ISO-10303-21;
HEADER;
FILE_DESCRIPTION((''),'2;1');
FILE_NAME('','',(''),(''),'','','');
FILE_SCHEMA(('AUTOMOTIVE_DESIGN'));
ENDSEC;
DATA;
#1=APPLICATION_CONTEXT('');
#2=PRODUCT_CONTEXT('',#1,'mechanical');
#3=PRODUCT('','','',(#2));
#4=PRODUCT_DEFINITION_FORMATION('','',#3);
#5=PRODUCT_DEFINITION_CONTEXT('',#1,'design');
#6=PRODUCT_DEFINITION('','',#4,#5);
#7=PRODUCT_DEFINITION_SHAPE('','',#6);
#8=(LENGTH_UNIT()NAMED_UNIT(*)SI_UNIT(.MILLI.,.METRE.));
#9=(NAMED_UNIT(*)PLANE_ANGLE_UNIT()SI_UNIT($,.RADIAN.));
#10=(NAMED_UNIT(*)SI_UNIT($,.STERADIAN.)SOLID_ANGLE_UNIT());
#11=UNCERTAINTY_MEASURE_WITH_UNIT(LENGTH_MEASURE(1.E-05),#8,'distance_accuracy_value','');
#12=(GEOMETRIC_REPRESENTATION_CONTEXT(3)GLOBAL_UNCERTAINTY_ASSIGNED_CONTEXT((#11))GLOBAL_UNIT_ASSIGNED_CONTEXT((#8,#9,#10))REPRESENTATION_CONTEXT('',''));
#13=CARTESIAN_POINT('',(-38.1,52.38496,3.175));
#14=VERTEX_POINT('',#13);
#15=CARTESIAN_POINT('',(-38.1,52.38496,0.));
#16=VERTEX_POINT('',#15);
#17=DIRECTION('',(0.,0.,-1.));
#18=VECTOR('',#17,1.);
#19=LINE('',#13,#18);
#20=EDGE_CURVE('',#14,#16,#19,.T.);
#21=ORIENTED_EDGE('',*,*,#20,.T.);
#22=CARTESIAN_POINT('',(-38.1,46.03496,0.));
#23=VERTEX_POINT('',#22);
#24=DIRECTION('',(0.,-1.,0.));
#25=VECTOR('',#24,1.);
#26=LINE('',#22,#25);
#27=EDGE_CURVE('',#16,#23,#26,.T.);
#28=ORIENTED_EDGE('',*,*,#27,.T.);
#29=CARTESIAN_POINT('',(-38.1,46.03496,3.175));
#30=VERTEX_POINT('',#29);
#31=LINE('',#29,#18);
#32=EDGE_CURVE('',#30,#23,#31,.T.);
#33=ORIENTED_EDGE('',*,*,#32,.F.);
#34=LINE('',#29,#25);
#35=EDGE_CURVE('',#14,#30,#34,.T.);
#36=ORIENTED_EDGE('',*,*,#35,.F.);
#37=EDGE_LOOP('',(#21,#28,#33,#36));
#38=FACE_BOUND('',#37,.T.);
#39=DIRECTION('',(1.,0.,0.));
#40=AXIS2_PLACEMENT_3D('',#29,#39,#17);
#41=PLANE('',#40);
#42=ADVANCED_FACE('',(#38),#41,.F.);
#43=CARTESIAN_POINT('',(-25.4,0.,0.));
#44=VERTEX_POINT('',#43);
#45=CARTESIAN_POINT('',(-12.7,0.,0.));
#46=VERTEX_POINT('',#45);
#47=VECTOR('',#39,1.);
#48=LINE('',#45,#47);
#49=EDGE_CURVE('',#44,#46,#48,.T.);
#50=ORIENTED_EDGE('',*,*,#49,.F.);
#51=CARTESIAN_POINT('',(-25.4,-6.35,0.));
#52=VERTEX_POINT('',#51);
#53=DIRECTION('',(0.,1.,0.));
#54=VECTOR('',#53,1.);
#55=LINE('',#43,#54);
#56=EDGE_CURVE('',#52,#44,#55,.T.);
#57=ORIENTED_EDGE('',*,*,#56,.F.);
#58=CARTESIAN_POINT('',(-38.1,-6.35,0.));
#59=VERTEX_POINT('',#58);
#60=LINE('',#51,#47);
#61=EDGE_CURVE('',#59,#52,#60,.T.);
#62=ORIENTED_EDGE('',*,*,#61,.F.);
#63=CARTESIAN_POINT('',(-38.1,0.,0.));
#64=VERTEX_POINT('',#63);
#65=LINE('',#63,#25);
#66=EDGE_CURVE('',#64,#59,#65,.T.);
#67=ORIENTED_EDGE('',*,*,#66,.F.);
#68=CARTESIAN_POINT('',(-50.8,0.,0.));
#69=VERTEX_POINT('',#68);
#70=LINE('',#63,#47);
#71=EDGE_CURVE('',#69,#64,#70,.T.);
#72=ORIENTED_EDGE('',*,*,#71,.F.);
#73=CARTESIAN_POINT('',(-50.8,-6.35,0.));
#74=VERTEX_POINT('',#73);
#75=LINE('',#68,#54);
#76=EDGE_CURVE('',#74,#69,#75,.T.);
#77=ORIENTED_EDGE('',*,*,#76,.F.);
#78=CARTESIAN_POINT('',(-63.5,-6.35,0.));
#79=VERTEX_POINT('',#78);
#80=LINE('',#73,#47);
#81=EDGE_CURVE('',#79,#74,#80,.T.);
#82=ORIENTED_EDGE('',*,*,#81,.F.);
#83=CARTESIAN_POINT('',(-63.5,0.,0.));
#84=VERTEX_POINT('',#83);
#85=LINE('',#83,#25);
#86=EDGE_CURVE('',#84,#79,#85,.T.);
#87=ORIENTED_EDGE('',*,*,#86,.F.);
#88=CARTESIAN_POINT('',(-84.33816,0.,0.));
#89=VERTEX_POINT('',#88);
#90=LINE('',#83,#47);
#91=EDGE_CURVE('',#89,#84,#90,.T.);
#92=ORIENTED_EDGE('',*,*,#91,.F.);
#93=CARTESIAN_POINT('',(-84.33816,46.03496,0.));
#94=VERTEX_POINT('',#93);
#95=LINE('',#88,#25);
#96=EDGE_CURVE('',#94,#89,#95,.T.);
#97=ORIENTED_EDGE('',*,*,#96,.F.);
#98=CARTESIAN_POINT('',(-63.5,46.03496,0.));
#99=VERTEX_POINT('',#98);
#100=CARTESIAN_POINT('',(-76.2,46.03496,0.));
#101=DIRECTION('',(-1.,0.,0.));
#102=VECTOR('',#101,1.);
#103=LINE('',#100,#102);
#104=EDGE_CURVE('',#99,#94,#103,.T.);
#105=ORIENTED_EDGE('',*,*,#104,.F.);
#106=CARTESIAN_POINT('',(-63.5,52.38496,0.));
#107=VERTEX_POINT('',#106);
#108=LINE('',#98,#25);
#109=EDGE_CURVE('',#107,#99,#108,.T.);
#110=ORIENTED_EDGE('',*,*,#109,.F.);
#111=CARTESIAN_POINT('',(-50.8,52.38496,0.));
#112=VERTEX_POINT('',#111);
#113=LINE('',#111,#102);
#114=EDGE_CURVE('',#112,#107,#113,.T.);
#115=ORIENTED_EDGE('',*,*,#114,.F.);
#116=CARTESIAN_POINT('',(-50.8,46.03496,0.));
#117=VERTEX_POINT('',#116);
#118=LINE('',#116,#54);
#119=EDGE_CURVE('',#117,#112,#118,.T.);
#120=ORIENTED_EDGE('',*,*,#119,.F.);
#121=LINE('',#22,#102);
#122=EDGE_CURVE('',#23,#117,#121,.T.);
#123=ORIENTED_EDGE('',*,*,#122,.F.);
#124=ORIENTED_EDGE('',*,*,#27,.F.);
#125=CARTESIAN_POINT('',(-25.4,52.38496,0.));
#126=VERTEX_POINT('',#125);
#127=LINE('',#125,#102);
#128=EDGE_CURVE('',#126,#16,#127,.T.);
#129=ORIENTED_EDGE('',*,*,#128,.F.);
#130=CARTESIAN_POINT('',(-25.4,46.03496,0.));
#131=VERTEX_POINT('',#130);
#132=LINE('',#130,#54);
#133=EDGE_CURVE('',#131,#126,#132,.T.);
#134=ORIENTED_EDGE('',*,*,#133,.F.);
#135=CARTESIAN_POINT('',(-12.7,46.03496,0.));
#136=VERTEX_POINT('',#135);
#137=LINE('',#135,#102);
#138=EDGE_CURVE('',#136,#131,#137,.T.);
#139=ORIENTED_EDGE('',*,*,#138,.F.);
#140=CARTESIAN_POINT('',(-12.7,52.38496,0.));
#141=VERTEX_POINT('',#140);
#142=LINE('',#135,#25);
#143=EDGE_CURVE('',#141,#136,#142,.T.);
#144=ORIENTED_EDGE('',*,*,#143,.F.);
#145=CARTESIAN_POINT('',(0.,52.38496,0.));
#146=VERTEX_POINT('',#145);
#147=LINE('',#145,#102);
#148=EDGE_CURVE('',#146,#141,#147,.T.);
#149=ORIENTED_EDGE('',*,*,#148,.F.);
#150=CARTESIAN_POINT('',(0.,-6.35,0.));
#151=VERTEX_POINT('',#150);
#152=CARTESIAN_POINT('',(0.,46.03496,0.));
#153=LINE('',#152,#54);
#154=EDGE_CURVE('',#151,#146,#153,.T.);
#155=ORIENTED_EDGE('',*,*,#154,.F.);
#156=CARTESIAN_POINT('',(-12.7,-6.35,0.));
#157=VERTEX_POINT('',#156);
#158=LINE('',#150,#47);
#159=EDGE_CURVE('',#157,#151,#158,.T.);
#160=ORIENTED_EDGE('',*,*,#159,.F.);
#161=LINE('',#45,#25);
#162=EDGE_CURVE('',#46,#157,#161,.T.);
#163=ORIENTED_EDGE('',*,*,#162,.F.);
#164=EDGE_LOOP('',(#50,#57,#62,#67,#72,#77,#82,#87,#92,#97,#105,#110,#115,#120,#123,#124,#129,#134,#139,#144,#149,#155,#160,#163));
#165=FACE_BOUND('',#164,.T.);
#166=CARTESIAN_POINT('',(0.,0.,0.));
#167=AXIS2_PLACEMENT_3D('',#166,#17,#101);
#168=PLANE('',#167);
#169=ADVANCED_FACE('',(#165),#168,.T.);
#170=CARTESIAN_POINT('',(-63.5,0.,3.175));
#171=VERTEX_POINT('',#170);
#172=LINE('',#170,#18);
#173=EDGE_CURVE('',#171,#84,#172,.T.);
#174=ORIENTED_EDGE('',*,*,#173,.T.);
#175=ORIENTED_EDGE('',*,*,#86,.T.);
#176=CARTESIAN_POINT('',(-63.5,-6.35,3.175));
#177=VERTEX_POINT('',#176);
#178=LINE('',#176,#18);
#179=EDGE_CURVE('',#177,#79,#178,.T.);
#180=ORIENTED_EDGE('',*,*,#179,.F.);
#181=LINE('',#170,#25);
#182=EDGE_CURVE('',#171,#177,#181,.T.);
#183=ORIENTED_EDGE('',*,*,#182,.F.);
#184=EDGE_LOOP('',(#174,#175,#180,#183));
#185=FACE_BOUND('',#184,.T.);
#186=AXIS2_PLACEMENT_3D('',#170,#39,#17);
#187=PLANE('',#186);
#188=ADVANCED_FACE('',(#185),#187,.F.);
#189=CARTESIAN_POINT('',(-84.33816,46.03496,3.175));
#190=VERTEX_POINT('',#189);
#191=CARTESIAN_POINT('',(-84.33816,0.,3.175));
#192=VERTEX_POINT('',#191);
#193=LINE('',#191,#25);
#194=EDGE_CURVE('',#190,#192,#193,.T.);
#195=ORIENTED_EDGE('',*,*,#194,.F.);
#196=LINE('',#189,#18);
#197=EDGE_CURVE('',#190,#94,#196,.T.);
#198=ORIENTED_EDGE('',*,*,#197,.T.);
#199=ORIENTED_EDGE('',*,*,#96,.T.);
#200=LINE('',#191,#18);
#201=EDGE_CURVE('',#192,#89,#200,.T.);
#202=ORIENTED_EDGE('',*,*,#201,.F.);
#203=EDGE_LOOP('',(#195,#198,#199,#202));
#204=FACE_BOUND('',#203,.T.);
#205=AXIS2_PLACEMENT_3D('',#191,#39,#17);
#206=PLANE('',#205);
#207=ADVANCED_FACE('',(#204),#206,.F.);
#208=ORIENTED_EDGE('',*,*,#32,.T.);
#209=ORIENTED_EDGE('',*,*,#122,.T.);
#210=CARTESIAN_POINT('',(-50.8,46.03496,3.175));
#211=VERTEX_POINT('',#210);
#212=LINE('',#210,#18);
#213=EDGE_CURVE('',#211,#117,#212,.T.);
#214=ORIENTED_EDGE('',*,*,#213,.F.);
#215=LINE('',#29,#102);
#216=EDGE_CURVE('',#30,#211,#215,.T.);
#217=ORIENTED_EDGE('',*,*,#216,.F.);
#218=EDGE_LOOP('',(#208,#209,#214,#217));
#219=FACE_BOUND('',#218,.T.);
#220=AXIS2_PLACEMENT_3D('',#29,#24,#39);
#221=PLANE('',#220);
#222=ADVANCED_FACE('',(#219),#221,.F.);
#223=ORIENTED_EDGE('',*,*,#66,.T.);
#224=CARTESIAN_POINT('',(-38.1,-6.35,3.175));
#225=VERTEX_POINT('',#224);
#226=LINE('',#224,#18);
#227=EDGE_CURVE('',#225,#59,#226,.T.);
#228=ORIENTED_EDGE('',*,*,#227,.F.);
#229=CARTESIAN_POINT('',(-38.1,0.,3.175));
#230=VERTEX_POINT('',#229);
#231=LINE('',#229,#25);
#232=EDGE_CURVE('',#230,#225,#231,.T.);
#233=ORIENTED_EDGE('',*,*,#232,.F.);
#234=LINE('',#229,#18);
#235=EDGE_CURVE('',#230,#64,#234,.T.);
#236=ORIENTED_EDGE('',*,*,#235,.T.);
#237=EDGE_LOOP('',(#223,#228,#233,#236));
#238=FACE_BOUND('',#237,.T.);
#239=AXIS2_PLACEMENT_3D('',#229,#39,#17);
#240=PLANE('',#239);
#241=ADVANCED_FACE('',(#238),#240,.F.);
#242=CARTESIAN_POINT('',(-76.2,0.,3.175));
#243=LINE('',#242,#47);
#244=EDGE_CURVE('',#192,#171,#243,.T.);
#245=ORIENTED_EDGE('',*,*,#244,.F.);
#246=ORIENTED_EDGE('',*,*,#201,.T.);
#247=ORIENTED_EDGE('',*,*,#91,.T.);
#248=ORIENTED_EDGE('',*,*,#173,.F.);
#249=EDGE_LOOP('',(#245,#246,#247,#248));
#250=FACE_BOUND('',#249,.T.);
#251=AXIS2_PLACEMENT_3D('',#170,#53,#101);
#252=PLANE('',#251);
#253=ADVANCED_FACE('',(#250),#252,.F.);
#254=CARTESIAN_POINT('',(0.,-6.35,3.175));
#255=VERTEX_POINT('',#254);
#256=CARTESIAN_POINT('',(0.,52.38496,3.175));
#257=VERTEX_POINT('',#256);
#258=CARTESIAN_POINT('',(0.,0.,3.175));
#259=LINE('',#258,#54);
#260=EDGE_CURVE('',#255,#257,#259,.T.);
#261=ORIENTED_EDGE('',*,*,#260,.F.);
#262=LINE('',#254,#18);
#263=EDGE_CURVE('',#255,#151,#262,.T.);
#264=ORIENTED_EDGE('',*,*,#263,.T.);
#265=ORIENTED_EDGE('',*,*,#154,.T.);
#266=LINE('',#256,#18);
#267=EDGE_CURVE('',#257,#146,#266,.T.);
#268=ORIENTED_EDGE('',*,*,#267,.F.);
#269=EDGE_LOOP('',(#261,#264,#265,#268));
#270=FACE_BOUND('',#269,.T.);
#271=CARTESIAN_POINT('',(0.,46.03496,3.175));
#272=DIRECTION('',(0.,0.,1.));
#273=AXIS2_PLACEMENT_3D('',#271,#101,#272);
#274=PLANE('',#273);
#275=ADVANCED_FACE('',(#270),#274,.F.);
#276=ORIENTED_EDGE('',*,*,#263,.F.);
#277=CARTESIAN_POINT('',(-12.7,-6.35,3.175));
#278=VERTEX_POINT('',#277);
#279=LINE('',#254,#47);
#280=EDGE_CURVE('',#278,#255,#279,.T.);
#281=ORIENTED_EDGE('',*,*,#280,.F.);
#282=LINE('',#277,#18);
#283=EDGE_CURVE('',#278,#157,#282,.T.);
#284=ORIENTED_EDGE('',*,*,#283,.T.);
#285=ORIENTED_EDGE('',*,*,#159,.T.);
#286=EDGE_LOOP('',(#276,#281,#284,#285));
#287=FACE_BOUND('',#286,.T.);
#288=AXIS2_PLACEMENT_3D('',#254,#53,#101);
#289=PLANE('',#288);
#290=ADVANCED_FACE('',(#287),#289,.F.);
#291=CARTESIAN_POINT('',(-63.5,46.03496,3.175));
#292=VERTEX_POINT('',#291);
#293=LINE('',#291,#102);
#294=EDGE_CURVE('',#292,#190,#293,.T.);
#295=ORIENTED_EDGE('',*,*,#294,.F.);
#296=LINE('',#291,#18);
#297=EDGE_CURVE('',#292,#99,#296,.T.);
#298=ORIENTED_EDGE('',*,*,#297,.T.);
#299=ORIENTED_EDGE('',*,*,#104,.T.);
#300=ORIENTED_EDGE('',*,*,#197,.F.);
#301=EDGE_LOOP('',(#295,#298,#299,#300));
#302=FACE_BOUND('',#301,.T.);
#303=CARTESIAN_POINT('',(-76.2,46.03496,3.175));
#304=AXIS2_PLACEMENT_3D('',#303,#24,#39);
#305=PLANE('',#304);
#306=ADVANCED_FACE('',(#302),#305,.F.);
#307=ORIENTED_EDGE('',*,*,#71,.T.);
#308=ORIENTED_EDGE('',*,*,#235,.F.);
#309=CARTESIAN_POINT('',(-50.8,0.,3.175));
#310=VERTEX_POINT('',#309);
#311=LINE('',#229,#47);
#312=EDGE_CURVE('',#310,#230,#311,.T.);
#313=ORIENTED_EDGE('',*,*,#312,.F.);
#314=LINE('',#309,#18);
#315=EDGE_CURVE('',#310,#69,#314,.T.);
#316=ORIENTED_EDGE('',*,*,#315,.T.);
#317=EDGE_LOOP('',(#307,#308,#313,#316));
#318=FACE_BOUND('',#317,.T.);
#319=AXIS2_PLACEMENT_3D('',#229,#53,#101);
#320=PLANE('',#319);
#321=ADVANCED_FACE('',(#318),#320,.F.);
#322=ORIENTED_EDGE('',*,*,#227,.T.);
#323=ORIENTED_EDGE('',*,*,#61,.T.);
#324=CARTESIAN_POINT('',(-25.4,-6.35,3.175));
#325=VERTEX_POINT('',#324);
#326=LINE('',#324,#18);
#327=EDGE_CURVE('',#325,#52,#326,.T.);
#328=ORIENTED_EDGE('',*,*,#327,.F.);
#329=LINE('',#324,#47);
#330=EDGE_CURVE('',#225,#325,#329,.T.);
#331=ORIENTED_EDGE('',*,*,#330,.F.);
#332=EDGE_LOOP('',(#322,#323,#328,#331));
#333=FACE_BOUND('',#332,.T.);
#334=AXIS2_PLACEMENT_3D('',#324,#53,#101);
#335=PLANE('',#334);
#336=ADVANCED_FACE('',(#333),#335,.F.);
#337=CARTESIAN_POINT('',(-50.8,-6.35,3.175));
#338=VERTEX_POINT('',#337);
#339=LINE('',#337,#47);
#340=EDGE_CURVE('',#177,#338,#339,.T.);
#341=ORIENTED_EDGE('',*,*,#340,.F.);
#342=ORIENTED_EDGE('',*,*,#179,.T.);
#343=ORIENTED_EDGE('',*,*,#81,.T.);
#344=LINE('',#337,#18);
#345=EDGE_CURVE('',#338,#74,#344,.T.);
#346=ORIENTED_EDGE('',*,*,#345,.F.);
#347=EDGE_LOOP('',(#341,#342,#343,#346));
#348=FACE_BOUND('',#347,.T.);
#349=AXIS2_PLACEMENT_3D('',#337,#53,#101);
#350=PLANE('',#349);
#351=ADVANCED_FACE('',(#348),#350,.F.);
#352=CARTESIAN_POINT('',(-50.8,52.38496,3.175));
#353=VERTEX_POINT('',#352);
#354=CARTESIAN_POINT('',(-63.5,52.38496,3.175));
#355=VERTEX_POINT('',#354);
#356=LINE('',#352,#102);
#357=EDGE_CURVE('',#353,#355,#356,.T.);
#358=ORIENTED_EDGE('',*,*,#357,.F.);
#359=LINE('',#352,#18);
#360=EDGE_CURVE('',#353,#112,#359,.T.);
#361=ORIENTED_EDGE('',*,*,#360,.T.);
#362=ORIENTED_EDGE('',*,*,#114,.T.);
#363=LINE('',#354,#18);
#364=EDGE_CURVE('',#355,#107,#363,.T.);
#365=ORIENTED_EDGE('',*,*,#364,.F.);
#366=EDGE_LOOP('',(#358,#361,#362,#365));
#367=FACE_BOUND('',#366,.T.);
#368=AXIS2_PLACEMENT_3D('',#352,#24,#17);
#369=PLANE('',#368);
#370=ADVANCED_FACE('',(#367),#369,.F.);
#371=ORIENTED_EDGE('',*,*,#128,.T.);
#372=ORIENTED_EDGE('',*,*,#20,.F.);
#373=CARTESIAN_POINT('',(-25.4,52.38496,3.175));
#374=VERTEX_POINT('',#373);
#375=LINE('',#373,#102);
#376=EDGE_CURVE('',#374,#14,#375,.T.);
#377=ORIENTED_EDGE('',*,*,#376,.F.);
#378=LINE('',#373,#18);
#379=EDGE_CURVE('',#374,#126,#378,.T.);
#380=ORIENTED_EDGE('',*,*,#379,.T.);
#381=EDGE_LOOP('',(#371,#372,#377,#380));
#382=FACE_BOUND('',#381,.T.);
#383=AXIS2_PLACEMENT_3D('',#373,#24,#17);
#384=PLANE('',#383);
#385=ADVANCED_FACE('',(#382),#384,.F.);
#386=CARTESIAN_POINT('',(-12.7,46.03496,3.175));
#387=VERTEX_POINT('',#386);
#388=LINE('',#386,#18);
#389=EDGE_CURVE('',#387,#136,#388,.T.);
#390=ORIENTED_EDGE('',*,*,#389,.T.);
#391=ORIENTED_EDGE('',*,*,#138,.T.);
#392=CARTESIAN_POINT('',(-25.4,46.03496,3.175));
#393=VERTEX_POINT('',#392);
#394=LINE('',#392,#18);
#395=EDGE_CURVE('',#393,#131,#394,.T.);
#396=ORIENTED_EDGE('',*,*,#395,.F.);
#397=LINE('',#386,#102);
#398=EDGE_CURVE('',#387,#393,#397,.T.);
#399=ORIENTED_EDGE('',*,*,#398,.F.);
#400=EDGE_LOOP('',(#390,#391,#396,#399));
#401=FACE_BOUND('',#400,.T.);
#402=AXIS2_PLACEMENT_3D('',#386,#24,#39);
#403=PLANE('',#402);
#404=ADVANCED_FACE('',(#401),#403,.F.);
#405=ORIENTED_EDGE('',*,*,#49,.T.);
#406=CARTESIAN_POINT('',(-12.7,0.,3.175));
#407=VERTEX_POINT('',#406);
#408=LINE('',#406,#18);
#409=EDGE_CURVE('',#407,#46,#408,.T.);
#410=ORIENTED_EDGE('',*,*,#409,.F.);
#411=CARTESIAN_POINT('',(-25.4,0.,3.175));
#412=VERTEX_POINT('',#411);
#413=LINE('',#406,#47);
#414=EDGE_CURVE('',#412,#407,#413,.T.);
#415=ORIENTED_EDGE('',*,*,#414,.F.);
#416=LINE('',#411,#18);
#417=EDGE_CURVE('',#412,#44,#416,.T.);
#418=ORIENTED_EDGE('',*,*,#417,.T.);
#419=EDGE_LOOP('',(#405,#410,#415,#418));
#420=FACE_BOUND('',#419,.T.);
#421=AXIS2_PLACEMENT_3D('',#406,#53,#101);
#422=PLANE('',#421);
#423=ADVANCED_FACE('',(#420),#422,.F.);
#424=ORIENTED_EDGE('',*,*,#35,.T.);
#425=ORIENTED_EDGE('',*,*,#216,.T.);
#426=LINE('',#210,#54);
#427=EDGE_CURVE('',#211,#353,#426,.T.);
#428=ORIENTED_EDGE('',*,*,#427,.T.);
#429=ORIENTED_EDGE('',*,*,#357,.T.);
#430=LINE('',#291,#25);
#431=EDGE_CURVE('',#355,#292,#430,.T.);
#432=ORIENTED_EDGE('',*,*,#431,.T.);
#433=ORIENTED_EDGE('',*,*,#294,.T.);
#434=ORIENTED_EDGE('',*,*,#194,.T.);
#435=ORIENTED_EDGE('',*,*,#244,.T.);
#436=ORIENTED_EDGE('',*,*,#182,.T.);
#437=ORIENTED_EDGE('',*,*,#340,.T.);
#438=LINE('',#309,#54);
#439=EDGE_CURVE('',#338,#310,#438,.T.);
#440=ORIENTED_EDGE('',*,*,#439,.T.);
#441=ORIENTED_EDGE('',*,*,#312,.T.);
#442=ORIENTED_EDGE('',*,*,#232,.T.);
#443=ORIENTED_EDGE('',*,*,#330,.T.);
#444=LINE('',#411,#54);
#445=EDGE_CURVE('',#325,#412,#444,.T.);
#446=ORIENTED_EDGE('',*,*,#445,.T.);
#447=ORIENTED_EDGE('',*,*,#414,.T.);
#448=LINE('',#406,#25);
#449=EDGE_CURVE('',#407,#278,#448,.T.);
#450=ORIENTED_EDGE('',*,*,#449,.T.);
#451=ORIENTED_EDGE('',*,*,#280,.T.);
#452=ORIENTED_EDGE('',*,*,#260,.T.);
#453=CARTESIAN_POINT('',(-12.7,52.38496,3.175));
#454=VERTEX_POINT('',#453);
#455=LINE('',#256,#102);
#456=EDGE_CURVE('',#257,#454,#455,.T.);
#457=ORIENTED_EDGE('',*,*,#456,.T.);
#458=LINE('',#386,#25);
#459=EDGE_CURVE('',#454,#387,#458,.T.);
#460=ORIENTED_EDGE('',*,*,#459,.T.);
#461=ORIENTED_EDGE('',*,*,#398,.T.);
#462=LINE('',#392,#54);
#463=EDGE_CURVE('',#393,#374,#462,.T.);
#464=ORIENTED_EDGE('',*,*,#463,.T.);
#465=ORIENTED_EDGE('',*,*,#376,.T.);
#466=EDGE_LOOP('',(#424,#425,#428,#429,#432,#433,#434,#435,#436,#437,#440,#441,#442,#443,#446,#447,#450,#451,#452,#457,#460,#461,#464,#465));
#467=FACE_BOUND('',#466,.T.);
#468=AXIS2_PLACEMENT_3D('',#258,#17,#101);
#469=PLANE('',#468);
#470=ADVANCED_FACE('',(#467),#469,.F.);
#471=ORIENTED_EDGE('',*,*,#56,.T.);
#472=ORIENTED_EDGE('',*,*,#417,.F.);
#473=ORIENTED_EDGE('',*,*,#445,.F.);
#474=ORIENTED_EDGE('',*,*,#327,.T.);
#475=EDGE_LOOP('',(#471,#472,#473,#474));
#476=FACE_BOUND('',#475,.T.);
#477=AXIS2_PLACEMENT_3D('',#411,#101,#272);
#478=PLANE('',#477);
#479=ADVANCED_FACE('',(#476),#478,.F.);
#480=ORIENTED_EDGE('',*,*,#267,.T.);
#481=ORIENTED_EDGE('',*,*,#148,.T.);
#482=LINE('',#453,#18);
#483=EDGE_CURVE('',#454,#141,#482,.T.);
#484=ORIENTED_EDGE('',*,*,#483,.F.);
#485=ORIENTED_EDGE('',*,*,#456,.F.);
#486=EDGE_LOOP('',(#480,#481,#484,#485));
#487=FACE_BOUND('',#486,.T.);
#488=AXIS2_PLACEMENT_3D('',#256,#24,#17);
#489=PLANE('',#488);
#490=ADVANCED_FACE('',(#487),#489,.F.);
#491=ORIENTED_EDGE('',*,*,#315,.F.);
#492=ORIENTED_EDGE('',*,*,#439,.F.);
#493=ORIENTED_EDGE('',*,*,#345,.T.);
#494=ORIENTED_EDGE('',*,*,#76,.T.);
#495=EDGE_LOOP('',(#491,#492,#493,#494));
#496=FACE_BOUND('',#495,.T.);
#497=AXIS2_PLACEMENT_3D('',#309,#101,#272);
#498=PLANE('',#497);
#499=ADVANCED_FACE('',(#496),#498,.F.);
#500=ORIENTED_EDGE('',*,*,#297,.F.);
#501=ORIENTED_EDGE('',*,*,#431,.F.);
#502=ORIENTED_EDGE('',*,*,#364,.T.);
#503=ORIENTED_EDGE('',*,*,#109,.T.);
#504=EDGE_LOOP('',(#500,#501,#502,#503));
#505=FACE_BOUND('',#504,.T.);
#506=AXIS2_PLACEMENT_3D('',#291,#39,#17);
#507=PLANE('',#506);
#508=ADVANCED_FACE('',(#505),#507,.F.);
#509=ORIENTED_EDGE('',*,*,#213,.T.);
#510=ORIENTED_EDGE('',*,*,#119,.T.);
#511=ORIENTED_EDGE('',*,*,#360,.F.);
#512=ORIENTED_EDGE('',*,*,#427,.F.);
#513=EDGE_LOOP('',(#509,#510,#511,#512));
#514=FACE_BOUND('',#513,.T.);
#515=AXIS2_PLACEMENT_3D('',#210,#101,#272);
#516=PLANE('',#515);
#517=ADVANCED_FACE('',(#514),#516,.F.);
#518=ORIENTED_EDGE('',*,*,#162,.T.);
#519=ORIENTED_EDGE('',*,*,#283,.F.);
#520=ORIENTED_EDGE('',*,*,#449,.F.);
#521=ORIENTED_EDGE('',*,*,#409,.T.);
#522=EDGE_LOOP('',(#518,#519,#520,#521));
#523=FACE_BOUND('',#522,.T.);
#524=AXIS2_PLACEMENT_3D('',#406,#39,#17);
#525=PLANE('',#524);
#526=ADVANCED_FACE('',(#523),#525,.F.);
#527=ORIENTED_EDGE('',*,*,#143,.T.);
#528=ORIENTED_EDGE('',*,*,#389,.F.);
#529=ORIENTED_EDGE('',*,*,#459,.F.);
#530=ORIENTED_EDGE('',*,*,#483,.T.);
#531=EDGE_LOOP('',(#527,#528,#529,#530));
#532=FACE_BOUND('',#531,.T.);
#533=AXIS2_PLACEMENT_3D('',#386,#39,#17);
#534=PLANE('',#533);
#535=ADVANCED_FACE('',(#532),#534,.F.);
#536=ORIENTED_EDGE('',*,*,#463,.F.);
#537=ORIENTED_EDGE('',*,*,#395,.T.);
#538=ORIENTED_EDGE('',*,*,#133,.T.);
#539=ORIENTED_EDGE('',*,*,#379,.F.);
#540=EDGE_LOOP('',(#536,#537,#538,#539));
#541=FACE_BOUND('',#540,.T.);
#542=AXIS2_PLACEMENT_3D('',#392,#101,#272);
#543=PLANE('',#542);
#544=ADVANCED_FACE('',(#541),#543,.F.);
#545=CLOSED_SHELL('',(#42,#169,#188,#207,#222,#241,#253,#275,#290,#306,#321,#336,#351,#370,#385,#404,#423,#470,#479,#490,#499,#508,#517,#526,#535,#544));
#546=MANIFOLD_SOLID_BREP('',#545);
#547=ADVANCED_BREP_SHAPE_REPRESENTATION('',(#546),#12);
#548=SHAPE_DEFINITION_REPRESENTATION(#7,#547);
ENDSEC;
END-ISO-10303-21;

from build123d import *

# Parameters (mm, degrees)
BOSS_EXTRUDE1_DEPTH = 3.175


with BuildPart() as part:
    # Sketch1 → Boss-Extrude1 (new body)
    with BuildSketch(Plane.XY):
        Polygon((-38.1, 46.03496), (-38.1, 52.38496), (-25.4, 52.38496), (-25.4, 46.03496), (-12.7, 46.03496), (-12.7, 52.38496), (0, 52.38496), (0, 46.03496), (0, 0), (0, -6.35), (-12.7, -6.35), (-12.7, 0), (-25.4, 0), (-25.4, -6.35), (-38.1, -6.35), (-38.1, 0), (-50.8, 0), (-50.8, -6.35), (-63.5, -6.35), (-63.5, 0), (-76.2, 0), (-84.33816, 0), (-84.33816, 46.03496), (-76.2, 46.03496), (-63.5, 46.03496), (-63.5, 52.38496), (-50.8, 52.38496), (-50.8, 46.03496), align=None)
    extrude(amount=BOSS_EXTRUDE1_DEPTH)


solid = part.part
